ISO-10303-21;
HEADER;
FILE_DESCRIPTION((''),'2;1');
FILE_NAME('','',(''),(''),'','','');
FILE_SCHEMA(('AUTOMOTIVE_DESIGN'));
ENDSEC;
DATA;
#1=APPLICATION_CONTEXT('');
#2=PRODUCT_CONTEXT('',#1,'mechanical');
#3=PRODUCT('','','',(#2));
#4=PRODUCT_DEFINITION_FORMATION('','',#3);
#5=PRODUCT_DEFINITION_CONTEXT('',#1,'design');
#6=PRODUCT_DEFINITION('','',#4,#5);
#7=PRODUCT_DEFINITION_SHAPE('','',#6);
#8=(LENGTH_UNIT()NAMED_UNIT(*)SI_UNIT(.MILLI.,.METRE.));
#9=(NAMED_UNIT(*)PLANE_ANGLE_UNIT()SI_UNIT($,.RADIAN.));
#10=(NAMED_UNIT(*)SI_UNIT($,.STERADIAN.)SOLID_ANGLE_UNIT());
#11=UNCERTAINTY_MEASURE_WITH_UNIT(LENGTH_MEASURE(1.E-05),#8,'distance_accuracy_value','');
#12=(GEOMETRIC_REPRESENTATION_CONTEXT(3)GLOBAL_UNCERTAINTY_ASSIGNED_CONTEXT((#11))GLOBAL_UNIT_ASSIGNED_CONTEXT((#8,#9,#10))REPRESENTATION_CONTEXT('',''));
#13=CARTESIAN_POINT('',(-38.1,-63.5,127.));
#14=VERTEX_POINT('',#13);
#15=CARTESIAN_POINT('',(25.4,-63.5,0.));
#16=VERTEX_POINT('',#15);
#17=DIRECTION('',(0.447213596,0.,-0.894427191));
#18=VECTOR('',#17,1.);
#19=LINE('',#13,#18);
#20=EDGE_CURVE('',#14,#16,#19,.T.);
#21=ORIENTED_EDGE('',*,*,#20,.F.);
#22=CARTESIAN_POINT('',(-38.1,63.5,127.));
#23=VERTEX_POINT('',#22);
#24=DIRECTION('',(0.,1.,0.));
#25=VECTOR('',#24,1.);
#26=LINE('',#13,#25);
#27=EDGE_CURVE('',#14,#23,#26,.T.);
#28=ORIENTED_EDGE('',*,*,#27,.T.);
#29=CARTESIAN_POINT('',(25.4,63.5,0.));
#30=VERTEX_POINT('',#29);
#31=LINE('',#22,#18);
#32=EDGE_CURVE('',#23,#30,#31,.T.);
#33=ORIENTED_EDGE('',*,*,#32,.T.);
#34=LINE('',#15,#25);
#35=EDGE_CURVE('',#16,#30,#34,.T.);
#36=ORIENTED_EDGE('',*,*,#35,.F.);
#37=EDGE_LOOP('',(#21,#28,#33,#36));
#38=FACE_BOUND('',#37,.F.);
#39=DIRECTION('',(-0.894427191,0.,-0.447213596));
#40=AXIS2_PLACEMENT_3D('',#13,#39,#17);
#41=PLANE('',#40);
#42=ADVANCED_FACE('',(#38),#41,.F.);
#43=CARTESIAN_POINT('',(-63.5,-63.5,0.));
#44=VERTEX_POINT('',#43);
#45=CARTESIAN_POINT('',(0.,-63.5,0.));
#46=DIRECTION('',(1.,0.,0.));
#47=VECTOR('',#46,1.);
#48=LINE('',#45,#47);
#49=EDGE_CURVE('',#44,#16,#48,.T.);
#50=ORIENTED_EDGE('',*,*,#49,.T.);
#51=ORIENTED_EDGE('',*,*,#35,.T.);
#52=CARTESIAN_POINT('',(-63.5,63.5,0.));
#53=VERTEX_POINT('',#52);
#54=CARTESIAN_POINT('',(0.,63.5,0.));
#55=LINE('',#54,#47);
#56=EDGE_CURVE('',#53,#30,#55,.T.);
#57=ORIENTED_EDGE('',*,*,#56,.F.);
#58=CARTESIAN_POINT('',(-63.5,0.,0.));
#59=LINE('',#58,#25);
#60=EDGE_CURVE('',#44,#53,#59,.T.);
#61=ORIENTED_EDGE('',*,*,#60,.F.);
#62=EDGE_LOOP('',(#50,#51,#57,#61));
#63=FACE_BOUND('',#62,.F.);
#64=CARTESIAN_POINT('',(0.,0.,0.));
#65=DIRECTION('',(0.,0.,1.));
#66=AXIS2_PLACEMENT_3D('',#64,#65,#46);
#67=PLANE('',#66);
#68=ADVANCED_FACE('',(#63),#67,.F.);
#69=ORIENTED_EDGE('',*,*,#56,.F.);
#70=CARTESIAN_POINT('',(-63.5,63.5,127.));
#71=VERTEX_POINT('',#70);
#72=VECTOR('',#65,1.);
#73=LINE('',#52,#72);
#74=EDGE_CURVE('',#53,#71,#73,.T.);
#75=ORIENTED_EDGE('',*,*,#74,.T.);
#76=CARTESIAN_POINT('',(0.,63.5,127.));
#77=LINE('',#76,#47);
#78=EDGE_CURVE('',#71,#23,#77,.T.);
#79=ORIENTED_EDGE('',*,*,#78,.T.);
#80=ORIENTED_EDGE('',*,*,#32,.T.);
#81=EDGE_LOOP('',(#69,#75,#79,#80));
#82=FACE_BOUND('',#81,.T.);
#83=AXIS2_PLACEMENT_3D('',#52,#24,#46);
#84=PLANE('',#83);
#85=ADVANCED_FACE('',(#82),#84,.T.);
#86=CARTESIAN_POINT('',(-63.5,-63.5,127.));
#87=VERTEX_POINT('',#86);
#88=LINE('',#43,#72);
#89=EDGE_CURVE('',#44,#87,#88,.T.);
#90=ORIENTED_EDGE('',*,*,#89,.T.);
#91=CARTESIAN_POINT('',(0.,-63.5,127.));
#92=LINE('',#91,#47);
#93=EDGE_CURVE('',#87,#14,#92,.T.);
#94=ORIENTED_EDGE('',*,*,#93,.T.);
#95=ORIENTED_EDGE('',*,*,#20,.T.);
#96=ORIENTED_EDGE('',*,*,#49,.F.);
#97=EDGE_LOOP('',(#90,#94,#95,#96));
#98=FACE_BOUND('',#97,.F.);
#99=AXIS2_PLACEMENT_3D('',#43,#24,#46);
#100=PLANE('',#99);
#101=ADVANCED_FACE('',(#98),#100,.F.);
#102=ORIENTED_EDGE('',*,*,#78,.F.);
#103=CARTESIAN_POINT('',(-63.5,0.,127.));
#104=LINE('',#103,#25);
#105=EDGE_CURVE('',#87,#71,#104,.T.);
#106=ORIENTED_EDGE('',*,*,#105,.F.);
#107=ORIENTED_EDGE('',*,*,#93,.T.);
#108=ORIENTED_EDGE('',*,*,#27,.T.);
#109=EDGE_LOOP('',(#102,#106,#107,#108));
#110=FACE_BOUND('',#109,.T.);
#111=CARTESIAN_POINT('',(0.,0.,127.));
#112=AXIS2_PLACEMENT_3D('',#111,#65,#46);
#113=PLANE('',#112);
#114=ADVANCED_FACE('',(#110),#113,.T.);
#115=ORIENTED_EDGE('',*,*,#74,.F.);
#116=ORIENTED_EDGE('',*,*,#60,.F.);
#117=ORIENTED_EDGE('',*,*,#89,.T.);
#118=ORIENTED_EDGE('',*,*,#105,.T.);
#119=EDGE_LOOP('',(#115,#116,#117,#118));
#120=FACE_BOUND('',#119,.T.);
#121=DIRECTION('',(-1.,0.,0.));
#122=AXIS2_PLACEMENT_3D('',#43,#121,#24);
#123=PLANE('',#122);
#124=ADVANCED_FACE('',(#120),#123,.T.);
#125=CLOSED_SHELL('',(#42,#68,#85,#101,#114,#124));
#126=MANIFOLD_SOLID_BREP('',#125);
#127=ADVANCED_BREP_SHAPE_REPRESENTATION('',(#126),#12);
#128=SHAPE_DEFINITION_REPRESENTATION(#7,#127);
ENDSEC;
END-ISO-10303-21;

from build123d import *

# Parameters (mm, degrees)
F0_W     = 127
F0_H     = 127
F1_DEPTH = 127
F4_DEPTH = 127


with BuildPart() as f1:
    # F0 (on Top) → F1 (new body)
    with BuildSketch(Plane.XY):
        Rectangle(F0_W, F0_H)
    extrude(amount=F1_DEPTH)

    # F3 (on face) → F4 (cut)
    with BuildSketch(Plane.XZ.offset(63.5)):
        Polygon((63.5, 127), (-38.1, 127), (25.4, 0), (63.5, 0), align=None)
    extrude(amount=-F4_DEPTH, mode=Mode.SUBTRACT)


solid = f1.part
